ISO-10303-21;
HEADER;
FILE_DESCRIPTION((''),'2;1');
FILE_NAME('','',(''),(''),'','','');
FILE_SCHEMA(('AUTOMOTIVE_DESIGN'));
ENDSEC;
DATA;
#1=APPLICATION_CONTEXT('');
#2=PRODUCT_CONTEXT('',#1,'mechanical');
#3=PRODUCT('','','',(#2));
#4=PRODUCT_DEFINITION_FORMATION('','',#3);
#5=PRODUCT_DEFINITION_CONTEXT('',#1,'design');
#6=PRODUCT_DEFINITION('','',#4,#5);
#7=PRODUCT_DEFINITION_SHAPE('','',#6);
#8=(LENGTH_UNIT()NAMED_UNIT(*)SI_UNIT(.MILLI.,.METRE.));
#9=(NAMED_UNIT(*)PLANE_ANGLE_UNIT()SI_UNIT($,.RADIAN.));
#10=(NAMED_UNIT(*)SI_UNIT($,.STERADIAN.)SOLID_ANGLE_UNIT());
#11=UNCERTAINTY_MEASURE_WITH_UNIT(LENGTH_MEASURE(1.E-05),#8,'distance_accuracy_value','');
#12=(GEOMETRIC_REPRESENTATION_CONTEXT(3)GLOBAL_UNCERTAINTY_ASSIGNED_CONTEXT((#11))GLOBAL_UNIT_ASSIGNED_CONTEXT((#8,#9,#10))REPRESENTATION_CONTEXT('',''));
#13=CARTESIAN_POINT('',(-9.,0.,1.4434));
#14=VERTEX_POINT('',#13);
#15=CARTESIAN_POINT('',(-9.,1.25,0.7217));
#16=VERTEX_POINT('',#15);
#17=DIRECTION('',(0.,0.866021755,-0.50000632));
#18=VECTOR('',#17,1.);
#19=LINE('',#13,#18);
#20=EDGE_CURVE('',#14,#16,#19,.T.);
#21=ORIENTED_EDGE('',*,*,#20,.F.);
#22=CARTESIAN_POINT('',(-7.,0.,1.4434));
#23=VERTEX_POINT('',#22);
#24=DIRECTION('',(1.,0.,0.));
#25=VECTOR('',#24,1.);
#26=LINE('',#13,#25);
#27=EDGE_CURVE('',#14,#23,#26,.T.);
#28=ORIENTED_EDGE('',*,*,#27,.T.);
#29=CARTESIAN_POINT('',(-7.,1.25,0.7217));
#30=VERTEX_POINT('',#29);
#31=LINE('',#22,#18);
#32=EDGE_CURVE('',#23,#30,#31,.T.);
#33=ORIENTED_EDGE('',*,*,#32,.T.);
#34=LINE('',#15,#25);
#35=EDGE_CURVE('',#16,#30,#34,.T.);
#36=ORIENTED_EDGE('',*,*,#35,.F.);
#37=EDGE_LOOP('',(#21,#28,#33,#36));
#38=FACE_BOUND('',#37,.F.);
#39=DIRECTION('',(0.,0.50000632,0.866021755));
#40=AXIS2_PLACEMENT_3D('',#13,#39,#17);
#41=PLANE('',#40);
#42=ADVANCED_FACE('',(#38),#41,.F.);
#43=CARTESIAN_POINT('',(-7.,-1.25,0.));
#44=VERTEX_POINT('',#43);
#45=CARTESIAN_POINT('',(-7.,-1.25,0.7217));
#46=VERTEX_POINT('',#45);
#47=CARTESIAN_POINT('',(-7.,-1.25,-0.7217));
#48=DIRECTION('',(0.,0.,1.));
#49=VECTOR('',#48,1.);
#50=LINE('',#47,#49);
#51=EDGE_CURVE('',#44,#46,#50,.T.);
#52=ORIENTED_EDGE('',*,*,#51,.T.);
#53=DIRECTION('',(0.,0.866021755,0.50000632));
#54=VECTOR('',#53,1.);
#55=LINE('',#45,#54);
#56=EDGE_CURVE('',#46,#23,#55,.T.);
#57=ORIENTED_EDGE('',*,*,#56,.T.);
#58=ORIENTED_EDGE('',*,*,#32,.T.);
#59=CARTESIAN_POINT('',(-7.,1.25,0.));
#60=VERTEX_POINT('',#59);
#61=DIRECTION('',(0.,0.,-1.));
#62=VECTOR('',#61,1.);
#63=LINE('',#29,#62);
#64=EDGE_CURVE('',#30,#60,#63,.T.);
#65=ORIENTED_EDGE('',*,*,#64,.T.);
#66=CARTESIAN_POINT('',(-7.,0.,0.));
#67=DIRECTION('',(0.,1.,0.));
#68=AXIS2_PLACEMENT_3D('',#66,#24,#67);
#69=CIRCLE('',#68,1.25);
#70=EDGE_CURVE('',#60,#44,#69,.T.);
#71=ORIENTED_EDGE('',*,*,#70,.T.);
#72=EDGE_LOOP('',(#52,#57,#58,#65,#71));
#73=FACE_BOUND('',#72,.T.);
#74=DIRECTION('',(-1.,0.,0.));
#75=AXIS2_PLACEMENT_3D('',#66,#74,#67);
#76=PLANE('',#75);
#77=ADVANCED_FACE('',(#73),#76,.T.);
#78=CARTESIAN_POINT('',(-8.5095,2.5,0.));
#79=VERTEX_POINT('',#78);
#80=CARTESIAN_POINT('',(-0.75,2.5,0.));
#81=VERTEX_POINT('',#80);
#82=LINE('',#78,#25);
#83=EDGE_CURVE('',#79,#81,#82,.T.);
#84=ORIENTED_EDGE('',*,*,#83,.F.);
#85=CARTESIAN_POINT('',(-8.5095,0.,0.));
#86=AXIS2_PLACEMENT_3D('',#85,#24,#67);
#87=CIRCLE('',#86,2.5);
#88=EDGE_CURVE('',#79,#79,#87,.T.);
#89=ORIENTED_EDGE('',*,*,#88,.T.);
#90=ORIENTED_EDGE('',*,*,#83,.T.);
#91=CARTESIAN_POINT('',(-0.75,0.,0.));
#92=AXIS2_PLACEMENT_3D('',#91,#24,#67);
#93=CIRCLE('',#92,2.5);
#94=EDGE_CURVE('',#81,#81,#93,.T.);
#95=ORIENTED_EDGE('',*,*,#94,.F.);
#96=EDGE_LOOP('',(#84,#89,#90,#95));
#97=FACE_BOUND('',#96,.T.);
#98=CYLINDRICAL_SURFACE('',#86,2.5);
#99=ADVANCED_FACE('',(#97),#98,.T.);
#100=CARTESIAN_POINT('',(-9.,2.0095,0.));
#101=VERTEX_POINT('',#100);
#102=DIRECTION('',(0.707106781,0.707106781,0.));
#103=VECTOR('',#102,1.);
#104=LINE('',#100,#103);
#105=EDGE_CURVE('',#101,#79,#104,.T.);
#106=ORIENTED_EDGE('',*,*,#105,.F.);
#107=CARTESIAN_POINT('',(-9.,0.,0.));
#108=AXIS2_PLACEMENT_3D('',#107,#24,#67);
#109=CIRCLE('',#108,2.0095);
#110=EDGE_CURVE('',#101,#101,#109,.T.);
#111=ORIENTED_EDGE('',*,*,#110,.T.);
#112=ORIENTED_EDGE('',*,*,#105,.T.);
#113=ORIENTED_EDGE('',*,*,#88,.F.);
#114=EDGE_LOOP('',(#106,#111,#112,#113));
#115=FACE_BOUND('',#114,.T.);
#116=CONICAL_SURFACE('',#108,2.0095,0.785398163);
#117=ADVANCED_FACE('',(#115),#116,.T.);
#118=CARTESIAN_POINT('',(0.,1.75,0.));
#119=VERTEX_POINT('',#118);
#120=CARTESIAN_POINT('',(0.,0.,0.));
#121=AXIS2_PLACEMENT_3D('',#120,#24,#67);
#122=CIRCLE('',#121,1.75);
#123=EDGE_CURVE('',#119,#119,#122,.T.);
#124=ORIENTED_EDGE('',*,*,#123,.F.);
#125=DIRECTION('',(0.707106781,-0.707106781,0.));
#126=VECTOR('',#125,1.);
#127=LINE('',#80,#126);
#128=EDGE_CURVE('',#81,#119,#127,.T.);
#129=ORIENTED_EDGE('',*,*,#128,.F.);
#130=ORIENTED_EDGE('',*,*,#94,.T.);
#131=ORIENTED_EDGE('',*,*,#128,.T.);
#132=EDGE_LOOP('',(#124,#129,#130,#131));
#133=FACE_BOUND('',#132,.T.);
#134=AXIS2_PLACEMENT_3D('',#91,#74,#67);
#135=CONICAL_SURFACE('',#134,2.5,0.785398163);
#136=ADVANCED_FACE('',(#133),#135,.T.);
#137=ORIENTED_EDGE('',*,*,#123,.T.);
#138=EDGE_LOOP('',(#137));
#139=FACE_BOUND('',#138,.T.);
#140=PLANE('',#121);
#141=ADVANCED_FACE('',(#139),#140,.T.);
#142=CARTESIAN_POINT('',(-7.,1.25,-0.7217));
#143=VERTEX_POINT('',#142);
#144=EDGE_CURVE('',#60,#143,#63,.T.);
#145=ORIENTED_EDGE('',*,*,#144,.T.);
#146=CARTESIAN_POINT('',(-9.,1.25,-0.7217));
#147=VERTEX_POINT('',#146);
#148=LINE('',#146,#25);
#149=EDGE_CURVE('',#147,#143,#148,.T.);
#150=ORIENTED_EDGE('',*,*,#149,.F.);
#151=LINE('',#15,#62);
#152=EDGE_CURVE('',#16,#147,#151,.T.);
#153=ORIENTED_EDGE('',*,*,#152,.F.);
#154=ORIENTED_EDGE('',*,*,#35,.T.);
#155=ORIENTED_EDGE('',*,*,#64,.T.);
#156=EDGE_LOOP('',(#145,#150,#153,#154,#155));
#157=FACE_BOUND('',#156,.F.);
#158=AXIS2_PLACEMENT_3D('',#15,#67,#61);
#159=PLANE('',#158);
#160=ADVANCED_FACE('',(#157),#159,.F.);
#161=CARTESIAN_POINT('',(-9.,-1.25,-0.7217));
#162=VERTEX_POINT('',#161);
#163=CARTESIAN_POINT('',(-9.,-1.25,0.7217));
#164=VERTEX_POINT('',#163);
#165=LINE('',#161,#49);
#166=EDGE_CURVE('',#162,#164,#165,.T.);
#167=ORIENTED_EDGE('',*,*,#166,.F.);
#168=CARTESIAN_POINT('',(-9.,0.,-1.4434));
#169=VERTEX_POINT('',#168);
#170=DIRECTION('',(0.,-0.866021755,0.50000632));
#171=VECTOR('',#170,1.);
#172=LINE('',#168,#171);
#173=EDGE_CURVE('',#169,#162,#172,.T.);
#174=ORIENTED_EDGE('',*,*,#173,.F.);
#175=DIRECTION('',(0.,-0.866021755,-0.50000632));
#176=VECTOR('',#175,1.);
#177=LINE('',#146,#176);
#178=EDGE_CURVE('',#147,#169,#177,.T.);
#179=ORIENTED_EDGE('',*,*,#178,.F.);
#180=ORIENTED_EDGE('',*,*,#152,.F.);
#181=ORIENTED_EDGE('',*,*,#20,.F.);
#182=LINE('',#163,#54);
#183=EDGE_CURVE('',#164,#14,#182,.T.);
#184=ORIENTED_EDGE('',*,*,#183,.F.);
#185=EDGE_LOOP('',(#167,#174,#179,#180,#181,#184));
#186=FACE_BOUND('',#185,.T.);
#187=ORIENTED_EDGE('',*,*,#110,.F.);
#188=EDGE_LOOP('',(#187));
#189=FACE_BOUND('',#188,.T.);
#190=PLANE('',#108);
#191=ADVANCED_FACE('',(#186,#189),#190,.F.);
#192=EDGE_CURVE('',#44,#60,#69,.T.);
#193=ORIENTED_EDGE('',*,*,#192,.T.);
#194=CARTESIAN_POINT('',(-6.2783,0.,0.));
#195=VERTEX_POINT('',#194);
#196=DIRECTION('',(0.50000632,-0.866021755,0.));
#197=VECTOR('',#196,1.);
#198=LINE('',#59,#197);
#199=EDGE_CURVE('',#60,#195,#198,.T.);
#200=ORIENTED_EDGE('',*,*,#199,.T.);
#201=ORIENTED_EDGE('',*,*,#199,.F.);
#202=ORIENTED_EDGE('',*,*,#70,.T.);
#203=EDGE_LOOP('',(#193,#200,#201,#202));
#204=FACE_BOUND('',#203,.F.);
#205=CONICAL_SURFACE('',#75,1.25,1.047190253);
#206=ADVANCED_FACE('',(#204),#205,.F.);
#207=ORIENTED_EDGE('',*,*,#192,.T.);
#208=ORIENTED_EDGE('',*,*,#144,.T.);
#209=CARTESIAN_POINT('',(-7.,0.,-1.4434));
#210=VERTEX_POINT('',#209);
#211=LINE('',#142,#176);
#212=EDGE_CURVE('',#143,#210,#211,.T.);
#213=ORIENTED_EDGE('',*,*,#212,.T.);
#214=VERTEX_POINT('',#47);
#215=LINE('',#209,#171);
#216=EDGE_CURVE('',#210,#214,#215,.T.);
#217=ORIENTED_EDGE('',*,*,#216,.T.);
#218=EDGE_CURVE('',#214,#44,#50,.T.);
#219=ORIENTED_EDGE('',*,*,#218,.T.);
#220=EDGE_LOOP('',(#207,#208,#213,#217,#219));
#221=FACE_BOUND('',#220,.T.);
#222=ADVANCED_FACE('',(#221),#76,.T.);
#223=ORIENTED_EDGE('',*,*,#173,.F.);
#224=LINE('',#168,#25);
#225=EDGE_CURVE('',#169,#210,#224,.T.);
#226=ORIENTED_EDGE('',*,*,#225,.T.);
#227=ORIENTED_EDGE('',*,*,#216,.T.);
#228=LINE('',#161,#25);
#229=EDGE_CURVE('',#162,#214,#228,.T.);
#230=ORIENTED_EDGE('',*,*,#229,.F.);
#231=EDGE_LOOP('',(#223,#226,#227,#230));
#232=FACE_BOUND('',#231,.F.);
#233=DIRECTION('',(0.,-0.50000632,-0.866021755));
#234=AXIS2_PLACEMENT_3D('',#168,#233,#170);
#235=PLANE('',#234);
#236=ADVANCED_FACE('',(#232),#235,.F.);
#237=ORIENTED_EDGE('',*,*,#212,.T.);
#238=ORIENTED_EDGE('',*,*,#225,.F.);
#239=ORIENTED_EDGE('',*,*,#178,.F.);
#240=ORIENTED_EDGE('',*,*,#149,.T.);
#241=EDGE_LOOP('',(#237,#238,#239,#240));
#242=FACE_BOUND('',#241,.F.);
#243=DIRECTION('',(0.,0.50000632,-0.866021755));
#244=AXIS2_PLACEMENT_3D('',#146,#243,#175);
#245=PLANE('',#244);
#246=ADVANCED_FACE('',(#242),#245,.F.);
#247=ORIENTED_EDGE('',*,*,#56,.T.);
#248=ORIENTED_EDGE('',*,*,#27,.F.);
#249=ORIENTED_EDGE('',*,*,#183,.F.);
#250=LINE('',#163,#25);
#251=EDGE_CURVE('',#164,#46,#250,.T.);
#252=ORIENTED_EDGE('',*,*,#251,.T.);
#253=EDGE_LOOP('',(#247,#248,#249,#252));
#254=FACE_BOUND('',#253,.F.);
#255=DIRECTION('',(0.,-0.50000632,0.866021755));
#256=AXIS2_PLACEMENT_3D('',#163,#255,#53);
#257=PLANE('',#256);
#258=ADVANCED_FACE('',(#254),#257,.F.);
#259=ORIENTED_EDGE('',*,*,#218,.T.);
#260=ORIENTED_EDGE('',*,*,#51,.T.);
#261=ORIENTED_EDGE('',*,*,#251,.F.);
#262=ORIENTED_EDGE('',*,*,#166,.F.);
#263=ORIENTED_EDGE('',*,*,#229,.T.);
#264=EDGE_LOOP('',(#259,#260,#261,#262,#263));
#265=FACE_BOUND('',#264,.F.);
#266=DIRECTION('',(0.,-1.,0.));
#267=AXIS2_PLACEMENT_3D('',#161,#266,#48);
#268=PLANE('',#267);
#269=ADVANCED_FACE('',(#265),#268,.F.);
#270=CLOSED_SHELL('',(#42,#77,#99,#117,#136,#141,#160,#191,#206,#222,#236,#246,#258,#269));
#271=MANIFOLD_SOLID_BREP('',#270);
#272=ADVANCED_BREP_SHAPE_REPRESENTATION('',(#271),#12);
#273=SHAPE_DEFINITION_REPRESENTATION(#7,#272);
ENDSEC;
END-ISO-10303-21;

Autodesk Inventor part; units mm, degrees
sketch "Sketch_1" plane through (0, 0, 0) normal (0, 0, 1) x (1, 0, 0)
  line L0 (0, 0) -> (-9, 0)
  line L1 (-9, 0) -> (-9, 2.0095)
  line L2 (-9, 2.0095) -> (-8.5095, 2.5)
  line L3 (-8.5095, 2.5) -> (-0.75, 2.5)
  line L4 (-0.75, 2.5) -> (0, 1.75)
  line L5 (0, 1.75) -> (0, 0)
  line L6 (0, 0) -> (-9, 0)
revolve "Revolution1" add sketch "Sketch_1" angle 360 about axis through (0, 0, 0) along (1, 0, 0)
thread "Thread1" size "M5x0.8" class "6g" standard "ISO Metric profile" full length
sketch "Sketch_2" plane through (-9, 0, 0) normal (-1, 0, 0) x (0, 1, 0)
  line L0 (-1.25, 0.7217) -> (-1.25, -0.7217)
  line L1 (-1.25, -0.7217) -> (0, -1.4434)
  line L2 (0, -1.4434) -> (1.25, -0.7217)
  line L3 (1.25, -0.7217) -> (1.25, 0.7217)
  line L4 (1.25, 0.7217) -> (0, 1.4434)
  line L5 (0, 1.4434) -> (-1.25, 0.7217)
extrude "Extrusion1" cut sketch "Sketch_2" against normal blind 2
sketch "Sketch_3" plane through (0, 0, 0) normal (0, 0, 1) x (1, 0, 0)
  line L0 (-6.2783, 0) -> (-7, 0)
  line L1 (-7, 0) -> (-7, 1.25)
  line L2 (-7, 1.25) -> (-6.2783, 0)
  line L3 (-6.2783, 0) -> (-7, 0)
revolve "Revolution2" cut sketch "Sketch_3" angle 360 about axis through (-6.2783, 0, 0) along (1, 0, 0)
ref_plane "CP_XY" through (0, 0, 0) normal (1, 0, 0) x (0, 0, -1)
ref_plane "CP_YZ" through (0, 0, 0) normal (0, 0, -1) x (0, 1, 0)
ref_plane "CP_ZX" through (0, 0, 0) normal (0, 1, 0) x (1, 0, 0)
properties part number "SET-SCREW5-9"
